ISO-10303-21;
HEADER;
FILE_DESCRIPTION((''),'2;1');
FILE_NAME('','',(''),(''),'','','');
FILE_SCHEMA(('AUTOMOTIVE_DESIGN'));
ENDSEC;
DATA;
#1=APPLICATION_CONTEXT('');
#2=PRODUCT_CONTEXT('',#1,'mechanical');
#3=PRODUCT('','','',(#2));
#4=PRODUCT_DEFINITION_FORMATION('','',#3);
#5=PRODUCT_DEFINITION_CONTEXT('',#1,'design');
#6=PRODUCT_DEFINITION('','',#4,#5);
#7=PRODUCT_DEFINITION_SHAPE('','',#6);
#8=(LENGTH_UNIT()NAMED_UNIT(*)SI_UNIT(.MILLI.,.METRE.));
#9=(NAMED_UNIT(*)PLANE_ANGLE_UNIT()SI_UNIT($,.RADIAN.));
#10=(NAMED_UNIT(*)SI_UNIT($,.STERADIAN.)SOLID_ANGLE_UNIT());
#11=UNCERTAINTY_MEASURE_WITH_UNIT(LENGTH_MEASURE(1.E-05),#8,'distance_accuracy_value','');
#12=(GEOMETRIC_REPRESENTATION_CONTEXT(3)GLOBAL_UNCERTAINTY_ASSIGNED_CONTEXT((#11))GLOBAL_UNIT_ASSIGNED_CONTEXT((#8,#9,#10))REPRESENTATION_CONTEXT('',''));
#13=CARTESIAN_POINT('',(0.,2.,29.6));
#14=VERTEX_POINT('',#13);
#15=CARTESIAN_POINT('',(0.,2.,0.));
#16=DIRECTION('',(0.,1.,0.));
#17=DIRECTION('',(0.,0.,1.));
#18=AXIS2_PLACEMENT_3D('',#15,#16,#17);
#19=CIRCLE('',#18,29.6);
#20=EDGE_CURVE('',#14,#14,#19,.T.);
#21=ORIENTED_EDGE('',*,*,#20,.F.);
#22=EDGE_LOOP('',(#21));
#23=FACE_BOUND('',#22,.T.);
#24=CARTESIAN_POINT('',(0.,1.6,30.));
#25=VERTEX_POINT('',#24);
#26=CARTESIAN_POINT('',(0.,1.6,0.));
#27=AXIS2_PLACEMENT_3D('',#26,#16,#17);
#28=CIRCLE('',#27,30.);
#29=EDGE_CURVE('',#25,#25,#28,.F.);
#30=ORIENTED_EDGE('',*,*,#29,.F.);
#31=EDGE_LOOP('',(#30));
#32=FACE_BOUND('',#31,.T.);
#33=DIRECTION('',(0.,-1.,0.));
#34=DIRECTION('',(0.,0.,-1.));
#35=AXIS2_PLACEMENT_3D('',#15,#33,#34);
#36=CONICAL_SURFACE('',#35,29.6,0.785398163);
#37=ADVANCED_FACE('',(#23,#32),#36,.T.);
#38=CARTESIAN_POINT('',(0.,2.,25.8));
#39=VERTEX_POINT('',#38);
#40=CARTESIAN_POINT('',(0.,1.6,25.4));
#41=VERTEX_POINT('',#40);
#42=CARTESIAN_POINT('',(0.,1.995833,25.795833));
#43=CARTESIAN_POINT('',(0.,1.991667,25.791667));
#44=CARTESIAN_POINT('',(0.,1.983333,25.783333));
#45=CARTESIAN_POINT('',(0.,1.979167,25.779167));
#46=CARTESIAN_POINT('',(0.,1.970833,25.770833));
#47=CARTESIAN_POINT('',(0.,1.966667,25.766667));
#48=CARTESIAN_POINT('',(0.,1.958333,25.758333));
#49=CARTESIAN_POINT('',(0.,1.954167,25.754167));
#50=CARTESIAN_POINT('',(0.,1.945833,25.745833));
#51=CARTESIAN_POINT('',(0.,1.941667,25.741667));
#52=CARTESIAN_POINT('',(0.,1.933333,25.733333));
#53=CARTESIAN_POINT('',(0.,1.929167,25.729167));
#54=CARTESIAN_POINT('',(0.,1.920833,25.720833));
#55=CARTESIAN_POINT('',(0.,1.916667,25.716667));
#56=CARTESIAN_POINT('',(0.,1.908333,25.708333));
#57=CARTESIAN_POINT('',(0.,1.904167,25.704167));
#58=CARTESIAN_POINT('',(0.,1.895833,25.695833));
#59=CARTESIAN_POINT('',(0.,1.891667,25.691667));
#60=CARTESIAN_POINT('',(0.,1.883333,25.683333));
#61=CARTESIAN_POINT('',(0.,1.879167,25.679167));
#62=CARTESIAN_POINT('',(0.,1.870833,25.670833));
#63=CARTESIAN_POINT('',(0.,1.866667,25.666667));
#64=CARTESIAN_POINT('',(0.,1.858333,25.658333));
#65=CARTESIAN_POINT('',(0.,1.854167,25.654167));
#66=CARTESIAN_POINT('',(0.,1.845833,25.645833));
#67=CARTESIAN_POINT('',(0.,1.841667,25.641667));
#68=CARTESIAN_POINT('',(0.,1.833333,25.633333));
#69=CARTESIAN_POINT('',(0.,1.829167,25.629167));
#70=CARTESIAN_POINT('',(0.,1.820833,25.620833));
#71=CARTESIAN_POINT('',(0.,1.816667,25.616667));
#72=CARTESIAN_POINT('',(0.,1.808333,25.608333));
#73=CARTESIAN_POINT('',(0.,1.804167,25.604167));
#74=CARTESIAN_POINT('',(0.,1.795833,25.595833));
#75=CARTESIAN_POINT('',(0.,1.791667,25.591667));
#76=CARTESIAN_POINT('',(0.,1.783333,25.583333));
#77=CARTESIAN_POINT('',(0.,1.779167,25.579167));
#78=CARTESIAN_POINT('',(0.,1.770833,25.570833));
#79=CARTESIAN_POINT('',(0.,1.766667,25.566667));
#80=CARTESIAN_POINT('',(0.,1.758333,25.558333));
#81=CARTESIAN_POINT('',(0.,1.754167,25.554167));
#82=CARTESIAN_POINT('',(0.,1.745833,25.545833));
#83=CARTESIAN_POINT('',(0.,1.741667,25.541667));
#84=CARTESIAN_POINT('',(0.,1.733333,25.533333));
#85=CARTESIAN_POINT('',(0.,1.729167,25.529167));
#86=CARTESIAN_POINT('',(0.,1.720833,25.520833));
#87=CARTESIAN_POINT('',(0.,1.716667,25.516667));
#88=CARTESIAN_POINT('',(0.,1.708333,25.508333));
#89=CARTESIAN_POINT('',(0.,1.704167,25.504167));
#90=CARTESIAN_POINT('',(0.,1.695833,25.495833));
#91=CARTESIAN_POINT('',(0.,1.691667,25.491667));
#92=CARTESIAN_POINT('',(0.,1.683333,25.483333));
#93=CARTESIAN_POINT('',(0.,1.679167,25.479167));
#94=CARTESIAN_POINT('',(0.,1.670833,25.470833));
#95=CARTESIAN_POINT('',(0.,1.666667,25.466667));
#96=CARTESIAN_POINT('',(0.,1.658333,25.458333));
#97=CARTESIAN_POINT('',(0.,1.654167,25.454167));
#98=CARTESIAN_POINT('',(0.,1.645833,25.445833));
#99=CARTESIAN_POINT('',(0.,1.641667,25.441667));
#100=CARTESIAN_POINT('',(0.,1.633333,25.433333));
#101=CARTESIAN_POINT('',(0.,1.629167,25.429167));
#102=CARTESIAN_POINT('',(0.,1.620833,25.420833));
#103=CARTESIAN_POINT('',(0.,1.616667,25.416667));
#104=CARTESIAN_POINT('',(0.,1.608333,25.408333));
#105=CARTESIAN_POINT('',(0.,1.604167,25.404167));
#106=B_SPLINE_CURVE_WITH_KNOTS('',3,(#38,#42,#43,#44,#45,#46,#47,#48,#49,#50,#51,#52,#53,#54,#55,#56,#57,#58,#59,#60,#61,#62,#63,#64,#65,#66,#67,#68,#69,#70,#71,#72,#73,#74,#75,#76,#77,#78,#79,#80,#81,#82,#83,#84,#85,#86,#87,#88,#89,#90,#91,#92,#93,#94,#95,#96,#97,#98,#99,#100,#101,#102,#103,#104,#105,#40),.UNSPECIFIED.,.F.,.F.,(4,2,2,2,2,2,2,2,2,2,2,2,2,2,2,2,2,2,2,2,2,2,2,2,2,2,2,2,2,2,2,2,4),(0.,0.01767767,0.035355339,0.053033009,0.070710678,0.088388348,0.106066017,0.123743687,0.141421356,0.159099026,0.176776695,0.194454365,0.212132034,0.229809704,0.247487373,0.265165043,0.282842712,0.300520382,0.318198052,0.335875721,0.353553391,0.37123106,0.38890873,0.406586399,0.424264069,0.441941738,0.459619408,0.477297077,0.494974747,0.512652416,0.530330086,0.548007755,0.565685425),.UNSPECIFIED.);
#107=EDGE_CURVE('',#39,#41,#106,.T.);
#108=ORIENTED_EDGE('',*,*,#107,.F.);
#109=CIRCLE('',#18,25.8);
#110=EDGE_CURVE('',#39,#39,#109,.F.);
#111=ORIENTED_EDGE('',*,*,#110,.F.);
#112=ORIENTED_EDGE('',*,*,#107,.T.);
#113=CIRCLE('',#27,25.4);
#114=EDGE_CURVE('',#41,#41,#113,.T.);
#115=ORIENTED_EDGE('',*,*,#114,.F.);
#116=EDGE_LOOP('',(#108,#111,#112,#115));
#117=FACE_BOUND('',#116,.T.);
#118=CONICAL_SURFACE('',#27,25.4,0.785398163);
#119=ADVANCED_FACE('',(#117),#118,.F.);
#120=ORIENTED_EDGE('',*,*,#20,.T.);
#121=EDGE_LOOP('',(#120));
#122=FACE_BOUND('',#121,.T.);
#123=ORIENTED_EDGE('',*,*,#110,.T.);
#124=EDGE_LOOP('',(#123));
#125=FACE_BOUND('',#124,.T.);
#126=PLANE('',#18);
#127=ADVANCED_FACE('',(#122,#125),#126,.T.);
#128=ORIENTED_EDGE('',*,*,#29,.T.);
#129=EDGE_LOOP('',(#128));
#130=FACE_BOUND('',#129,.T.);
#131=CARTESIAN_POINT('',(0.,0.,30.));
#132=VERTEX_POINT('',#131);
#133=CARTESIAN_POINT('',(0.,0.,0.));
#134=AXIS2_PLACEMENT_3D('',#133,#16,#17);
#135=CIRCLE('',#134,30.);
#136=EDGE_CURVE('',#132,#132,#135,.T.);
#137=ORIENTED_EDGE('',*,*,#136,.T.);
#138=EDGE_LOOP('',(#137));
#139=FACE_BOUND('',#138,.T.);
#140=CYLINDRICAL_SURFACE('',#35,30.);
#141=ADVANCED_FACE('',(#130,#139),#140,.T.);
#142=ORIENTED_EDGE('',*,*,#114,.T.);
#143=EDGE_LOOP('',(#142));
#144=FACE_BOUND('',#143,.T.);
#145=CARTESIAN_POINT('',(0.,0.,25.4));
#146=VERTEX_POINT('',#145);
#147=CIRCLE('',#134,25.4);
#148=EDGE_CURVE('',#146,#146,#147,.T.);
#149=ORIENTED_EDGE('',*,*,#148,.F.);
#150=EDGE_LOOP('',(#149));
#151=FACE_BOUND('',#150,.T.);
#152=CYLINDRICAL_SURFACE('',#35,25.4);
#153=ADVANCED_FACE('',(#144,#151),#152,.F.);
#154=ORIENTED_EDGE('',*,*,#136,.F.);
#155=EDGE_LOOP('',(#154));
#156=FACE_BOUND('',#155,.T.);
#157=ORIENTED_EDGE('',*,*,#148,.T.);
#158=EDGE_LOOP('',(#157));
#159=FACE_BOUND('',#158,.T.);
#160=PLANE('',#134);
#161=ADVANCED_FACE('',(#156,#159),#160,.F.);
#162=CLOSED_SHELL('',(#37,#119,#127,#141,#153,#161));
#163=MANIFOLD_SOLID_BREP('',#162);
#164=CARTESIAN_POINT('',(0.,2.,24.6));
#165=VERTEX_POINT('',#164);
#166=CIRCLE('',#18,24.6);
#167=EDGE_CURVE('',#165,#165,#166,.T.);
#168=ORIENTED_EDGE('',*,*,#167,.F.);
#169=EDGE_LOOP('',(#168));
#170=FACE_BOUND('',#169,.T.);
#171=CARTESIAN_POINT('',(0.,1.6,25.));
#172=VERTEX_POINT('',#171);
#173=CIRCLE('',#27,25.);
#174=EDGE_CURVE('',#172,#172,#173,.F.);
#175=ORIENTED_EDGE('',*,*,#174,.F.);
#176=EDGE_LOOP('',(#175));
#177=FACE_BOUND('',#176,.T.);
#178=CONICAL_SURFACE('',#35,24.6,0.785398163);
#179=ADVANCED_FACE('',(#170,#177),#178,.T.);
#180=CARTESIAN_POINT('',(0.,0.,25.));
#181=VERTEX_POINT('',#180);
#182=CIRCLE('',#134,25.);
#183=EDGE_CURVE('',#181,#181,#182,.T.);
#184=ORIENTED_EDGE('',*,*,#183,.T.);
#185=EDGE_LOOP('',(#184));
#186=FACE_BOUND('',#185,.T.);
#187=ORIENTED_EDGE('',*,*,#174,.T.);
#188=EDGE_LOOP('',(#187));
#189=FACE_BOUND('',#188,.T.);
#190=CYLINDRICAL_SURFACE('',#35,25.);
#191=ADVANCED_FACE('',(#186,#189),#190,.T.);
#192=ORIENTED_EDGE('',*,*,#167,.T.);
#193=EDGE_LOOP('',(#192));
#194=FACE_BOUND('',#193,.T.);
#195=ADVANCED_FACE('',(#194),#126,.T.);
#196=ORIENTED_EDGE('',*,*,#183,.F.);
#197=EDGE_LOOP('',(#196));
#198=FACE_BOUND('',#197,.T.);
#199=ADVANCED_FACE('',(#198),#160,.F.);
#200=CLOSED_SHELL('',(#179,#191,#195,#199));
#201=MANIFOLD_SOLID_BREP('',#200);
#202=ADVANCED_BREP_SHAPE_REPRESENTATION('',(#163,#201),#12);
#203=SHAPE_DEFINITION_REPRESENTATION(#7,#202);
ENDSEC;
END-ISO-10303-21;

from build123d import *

# Parameters (mm, degrees)
SKETCH_1_R        = 30
SKETCH_1_R_2      = 25.4
EXTRUDE_1_DEPTH   = 2
SKETCH_1_R_3      = 25
EXTRUDE_1_2_DEPTH = 2
CHAMFER_2_SIZE    = 0.4
CHAMFER_3_SIZE    = 0.4


with BuildPart() as part:
    # 草图1 → 凸台-拉伸1 (new body)
    with BuildSketch(Plane(origin=(0, 0, 0), x_dir=(1, 0, 0), z_dir=(0, 1, 0))):
        with Locations(Location((0, 0, 0), (0, 0, 270))):
            Circle(SKETCH_1_R)
        with Locations(Location((0, 0, 0), (0, 0, 270))):
            Circle(SKETCH_1_R_2, mode=Mode.SUBTRACT)
    extrude(amount=EXTRUDE_1_DEPTH)

    # 倒角2
    chamfer_2_edges = [part.edges().sort_by_distance(p)[0] for p in [
        (0, 2, -30),
        (0, 2, -25.4),
    ]]
    chamfer(chamfer_2_edges, length=CHAMFER_2_SIZE)


with BuildPart() as body_2:
    # 草图1 → Extrude 1 2 (new body)
    with BuildSketch(Plane(origin=(0, 0, 0), x_dir=(1, 0, 0), z_dir=(0, 1, 0))):
        with Locations(Location((0, 0, 0), (0, 0, 270))):
            Circle(SKETCH_1_R_3)
    extrude(amount=EXTRUDE_1_2_DEPTH)

    # 倒角3
    chamfer_3_edges = [body_2.edges().sort_by_distance(p)[0] for p in [
        (0, 2, -25),
    ]]
    chamfer(chamfer_3_edges, length=CHAMFER_3_SIZE)


solid = Compound([part.part, body_2.part])
